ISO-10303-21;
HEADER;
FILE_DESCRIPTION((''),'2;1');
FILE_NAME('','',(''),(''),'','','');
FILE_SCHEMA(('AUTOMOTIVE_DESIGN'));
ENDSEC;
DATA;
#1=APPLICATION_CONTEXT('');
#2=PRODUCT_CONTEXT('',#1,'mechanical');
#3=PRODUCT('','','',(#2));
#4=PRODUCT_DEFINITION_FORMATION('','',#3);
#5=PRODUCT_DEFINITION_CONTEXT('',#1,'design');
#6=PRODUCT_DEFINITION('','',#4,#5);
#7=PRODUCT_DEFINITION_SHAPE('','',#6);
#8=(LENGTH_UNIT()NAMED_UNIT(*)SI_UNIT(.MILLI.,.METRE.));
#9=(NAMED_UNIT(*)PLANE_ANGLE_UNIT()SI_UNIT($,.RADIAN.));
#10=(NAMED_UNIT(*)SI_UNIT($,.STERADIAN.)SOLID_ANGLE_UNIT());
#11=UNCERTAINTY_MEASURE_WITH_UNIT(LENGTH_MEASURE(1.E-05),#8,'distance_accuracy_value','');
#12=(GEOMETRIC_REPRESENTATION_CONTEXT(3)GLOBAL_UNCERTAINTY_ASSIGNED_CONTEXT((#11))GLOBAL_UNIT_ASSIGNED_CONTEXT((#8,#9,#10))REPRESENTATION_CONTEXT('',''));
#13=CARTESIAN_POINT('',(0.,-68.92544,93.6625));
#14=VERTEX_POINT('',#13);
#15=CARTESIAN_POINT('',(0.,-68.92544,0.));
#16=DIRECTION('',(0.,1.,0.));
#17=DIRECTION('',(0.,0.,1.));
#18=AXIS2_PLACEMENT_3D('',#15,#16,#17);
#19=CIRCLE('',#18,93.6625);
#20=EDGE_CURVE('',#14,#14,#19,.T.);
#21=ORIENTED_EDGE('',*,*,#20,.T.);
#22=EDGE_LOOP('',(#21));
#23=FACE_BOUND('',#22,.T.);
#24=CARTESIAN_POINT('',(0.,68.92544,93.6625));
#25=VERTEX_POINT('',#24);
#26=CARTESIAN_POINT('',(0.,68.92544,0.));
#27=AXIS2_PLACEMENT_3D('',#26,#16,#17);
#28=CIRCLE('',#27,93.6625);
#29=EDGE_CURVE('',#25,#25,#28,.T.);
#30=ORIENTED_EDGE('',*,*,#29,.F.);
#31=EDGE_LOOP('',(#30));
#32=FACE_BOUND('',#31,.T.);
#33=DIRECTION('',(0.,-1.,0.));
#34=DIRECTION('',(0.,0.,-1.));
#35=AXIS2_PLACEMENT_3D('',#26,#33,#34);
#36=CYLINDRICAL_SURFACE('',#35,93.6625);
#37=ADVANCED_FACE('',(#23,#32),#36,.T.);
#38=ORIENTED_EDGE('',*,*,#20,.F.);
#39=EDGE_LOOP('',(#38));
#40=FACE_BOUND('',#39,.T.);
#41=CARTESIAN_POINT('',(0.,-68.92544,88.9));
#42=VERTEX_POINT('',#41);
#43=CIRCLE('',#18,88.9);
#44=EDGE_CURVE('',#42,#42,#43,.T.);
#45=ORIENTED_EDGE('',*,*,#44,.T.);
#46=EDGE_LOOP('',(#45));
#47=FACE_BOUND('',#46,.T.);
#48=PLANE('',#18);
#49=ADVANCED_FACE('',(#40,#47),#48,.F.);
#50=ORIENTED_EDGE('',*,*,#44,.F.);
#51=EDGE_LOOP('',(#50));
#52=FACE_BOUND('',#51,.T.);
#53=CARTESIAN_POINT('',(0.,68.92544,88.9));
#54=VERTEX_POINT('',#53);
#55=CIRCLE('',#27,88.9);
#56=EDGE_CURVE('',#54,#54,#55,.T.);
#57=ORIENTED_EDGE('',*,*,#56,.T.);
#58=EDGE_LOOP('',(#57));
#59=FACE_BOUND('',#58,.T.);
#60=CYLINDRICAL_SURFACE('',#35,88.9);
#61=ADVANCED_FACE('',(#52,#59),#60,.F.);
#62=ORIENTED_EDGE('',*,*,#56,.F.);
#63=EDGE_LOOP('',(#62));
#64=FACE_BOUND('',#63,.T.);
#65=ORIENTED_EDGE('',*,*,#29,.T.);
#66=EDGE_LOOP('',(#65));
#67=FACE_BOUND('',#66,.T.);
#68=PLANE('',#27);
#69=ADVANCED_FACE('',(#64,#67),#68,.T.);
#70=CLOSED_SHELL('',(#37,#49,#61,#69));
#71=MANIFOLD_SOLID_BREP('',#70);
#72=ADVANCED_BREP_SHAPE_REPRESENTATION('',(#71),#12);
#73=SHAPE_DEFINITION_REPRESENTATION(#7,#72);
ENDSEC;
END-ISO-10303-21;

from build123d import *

# Parameters (mm, degrees)
SKETCH1_R           = 93.6625
SKETCH1_R_2         = 88.9
BOSS_EXTRUDE1_DEPTH = 68.92544


with BuildPart() as part:
    # Sketch1 → Boss-Extrude1 (new body, symmetric)
    with BuildSketch(Plane(origin=(0, 0, 0), x_dir=(1, 0, 0), z_dir=(0, 1, 0))):
        Circle(SKETCH1_R)
        Circle(SKETCH1_R_2, mode=Mode.SUBTRACT)
    extrude(amount=BOSS_EXTRUDE1_DEPTH, both=True)


solid = part.part
